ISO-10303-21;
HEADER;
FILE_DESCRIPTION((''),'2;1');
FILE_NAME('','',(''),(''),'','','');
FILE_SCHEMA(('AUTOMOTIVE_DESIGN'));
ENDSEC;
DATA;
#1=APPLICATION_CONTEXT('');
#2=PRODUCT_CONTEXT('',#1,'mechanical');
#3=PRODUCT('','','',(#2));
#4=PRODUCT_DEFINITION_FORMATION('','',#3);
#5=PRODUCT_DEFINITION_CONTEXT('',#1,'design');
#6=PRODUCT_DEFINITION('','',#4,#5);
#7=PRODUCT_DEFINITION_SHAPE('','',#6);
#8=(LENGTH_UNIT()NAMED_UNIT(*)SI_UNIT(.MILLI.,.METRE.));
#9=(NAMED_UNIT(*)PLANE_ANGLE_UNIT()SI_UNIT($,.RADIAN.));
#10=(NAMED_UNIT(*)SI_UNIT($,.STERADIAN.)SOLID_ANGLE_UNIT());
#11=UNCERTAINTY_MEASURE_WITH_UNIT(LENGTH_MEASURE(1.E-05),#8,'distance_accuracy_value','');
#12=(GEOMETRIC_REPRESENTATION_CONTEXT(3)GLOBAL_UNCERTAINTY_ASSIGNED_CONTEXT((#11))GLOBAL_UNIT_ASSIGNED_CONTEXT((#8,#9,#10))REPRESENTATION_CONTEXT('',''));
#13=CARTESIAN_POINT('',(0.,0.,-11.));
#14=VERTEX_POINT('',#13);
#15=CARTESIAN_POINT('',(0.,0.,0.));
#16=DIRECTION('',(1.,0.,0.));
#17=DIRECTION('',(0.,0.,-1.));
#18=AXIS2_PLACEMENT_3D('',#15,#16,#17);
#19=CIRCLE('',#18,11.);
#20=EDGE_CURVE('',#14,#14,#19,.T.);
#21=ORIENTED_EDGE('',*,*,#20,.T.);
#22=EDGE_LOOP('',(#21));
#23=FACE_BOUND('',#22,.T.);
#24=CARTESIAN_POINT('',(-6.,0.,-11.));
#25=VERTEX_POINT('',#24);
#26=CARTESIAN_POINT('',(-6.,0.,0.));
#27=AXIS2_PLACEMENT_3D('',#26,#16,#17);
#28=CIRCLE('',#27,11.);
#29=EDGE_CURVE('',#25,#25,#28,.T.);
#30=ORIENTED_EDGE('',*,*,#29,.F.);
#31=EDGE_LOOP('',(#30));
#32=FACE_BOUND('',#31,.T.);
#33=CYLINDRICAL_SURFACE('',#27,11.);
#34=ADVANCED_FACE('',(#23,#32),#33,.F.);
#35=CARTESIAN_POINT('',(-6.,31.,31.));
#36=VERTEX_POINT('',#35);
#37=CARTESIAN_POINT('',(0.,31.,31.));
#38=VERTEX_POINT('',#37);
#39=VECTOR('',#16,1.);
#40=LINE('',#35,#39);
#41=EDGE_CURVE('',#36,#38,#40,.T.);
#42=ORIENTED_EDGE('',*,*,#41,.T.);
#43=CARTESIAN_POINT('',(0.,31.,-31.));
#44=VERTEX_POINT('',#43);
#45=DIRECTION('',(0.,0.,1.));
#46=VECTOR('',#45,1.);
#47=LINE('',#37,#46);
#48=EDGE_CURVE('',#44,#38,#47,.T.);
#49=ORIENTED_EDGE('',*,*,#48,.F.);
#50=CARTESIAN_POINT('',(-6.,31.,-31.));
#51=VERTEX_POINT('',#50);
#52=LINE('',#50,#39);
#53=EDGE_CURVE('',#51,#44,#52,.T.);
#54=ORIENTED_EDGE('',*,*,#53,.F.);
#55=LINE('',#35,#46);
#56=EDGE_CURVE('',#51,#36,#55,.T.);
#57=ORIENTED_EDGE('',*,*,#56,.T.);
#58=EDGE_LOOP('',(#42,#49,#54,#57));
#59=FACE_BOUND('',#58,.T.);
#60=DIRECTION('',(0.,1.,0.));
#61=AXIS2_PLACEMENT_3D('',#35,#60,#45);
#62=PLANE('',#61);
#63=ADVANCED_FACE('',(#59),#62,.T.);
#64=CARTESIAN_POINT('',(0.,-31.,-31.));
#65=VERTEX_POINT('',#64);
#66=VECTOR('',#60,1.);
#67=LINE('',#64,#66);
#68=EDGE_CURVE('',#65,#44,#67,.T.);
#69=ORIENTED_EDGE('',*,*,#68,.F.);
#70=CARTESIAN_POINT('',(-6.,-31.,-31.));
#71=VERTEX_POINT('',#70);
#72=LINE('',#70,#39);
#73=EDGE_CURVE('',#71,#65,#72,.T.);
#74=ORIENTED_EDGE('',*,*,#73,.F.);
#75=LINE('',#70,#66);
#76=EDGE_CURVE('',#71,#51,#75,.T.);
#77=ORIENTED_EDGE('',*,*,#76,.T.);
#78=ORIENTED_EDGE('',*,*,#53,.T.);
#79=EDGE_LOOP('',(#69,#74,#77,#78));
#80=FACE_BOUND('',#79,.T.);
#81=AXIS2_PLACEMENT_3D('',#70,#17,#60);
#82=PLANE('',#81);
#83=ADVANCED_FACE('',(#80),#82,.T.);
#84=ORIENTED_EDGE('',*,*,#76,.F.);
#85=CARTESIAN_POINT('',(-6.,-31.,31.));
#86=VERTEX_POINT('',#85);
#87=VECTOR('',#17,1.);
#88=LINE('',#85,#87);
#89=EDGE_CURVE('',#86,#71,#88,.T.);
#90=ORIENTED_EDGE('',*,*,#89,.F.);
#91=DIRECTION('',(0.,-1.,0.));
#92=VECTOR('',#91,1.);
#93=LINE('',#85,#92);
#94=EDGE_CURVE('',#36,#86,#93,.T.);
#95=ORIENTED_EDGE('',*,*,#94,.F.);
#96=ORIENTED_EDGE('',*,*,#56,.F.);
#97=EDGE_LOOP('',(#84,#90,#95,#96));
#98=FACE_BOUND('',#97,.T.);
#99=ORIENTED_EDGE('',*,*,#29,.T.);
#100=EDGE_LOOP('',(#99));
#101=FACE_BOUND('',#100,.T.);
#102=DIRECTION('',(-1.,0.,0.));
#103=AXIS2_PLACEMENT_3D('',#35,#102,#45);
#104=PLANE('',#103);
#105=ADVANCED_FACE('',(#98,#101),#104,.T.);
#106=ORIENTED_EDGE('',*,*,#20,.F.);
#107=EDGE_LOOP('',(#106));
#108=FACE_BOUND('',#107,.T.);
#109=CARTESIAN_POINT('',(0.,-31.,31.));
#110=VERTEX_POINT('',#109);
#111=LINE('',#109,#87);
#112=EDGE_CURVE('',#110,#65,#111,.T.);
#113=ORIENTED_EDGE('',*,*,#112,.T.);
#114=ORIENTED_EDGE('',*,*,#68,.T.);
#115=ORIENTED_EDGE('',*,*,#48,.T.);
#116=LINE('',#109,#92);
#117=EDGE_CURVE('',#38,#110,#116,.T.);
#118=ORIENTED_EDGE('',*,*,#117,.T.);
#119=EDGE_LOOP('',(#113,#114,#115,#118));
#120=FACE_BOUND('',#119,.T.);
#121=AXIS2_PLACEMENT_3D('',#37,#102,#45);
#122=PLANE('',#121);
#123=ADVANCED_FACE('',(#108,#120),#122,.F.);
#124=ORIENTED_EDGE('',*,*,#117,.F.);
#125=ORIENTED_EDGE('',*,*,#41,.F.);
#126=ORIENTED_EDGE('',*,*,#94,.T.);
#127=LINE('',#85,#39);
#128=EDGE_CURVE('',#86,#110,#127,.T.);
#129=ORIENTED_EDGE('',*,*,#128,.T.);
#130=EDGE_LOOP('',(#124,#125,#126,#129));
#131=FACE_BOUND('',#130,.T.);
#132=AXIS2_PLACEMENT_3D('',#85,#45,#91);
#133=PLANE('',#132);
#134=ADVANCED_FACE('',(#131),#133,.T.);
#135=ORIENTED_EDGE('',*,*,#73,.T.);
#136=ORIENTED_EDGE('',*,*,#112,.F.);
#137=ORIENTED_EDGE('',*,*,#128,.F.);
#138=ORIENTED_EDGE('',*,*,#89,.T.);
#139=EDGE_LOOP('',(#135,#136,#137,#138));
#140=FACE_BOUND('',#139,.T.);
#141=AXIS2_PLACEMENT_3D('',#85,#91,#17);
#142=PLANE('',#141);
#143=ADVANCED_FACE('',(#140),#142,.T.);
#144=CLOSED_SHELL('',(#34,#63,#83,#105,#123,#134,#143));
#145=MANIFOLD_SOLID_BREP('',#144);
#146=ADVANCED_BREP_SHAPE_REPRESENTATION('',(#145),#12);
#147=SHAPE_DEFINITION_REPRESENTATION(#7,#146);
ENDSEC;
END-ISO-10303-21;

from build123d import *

# Parameters (mm, degrees)
SKETCH1_W  = 62
SKETCH1_H  = 62
SKETCH1_R  = 11
BODY_DEPTH = 6


with BuildPart() as part:
    # Sketch1 → Body (new body)
    with BuildSketch(Plane(origin=(0, 0, 0), x_dir=(0, 0, -1), z_dir=(1, 0, 0))):
        Rectangle(SKETCH1_W, SKETCH1_H)
        Circle(SKETCH1_R, mode=Mode.SUBTRACT)
    extrude(amount=-BODY_DEPTH)


solid = part.part
